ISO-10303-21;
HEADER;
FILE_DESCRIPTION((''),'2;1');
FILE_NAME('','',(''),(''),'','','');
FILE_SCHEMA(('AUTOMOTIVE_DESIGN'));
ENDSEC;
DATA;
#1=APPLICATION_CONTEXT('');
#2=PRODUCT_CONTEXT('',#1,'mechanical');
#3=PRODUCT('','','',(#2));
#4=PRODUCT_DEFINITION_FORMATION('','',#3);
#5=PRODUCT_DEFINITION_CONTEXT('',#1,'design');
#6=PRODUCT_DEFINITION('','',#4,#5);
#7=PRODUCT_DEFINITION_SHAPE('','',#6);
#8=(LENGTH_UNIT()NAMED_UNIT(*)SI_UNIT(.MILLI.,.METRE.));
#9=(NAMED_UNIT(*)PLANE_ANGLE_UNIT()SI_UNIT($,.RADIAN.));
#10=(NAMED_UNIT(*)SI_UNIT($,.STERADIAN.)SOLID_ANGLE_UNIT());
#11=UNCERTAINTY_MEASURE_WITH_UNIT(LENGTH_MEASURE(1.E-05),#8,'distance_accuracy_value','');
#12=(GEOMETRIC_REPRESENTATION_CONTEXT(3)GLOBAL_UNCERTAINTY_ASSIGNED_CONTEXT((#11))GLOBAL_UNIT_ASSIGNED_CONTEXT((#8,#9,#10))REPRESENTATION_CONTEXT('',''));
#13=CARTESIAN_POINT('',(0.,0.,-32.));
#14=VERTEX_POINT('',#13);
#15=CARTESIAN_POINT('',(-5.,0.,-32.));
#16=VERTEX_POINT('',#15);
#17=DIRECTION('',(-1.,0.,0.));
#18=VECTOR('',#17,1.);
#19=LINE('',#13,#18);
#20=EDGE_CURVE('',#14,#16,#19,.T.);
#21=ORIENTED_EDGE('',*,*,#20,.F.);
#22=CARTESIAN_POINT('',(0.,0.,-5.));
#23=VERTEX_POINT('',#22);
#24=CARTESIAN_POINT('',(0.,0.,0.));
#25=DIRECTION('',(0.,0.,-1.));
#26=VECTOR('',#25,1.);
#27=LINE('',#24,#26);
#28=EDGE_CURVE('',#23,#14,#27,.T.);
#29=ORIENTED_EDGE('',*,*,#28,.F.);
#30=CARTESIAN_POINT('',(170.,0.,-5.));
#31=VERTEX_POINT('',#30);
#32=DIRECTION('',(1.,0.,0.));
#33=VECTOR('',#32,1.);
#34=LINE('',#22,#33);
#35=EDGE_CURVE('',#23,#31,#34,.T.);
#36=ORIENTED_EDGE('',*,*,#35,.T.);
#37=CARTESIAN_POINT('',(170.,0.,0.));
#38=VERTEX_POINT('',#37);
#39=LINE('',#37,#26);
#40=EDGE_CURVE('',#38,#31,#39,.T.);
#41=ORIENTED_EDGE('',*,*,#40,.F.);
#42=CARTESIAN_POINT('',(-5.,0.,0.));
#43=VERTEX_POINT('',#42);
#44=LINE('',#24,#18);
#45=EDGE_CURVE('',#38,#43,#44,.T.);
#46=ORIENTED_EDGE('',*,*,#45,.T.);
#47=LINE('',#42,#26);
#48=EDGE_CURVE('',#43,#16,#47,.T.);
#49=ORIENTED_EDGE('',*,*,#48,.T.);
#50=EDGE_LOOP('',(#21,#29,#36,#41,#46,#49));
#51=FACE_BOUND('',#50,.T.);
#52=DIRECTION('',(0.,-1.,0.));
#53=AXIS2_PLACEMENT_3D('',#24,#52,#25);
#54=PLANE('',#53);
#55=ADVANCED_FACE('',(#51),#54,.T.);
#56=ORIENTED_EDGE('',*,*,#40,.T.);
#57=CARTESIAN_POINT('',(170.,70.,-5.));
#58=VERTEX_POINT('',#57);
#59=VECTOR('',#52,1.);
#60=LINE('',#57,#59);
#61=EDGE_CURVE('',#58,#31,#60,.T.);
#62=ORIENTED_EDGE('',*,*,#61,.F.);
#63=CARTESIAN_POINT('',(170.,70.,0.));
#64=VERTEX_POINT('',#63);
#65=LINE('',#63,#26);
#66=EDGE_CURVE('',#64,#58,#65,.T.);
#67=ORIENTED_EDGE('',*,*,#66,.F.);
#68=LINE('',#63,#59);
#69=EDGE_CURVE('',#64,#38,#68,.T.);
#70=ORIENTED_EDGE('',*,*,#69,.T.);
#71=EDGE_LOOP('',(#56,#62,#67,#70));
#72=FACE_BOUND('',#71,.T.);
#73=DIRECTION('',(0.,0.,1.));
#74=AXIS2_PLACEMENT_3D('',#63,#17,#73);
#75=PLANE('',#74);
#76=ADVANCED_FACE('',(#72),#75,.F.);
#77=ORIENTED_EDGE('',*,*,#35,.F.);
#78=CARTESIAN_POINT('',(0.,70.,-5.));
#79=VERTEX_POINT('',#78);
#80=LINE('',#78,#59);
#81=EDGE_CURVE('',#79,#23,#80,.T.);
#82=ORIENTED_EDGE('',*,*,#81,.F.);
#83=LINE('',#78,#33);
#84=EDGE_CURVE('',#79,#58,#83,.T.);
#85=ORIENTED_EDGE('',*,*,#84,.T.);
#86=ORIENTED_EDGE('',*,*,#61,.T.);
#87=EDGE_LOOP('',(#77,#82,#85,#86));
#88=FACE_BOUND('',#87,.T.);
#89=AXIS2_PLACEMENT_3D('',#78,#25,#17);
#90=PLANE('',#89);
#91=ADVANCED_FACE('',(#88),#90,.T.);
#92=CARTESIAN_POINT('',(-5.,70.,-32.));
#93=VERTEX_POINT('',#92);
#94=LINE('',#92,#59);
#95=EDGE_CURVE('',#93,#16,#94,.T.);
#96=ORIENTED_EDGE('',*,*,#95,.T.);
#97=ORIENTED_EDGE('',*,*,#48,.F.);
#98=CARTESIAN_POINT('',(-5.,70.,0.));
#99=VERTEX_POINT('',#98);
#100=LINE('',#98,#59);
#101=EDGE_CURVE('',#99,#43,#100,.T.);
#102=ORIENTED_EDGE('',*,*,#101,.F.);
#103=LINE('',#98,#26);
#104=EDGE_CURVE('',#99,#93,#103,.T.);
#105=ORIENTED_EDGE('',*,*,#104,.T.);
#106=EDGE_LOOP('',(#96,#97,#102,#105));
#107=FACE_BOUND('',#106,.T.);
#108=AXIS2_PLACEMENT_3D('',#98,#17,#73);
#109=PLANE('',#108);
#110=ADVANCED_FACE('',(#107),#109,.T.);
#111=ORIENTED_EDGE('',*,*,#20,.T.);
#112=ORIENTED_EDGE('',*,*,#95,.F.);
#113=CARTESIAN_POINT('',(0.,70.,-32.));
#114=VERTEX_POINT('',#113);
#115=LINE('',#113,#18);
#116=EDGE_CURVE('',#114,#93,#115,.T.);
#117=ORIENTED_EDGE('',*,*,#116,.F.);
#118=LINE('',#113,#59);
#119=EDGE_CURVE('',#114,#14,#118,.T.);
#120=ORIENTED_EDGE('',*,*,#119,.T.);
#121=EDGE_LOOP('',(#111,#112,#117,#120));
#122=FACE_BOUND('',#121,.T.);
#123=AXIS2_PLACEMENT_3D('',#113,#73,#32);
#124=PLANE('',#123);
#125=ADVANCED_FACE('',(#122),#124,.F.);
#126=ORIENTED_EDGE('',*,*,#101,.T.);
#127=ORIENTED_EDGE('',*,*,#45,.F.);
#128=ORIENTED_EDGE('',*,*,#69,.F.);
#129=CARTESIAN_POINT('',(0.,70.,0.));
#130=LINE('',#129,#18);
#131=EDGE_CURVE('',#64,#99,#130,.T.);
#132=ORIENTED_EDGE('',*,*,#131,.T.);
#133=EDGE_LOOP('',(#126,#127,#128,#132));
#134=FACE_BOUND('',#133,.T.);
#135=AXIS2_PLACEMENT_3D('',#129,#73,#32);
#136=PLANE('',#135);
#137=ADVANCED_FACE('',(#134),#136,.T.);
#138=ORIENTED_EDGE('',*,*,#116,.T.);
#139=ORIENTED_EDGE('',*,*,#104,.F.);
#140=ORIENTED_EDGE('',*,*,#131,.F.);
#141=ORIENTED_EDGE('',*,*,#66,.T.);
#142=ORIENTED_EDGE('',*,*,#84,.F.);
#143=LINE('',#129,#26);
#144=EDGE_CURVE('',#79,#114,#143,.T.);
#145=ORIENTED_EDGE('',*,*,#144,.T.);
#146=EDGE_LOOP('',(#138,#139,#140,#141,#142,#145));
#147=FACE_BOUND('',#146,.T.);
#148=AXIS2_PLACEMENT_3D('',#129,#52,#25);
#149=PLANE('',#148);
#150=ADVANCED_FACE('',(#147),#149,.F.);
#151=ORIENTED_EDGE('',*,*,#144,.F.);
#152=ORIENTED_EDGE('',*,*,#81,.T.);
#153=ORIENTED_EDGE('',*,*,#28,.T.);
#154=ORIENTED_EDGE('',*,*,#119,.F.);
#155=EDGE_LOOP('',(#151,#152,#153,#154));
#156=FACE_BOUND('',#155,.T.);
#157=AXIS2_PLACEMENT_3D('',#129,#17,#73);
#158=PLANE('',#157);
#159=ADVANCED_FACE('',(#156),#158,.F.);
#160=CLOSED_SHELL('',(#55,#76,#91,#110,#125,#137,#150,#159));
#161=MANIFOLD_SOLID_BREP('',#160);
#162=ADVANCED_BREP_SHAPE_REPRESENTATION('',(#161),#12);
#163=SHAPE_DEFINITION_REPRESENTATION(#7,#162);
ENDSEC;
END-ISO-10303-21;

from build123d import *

# Parameters (mm, degrees)
SKETCH2_W           = 170
SKETCH2_H           = 5
BOSS_EXTRUDE1_DEPTH = 70


with BuildPart() as part:
    # Sketch2 → Boss-Extrude1 (new body)
    with BuildSketch(Plane(origin=(0, 0, 0), x_dir=(1, 0, 0), z_dir=(0, 1, 0))):
        with Locations((85, 2.5)):
            Rectangle(SKETCH2_W, SKETCH2_H)
        Polygon((-5, 0), (0, 0), (0, 5), (0, 32), (-5, 32), align=None)
    extrude(amount=BOSS_EXTRUDE1_DEPTH)


solid = part.part
